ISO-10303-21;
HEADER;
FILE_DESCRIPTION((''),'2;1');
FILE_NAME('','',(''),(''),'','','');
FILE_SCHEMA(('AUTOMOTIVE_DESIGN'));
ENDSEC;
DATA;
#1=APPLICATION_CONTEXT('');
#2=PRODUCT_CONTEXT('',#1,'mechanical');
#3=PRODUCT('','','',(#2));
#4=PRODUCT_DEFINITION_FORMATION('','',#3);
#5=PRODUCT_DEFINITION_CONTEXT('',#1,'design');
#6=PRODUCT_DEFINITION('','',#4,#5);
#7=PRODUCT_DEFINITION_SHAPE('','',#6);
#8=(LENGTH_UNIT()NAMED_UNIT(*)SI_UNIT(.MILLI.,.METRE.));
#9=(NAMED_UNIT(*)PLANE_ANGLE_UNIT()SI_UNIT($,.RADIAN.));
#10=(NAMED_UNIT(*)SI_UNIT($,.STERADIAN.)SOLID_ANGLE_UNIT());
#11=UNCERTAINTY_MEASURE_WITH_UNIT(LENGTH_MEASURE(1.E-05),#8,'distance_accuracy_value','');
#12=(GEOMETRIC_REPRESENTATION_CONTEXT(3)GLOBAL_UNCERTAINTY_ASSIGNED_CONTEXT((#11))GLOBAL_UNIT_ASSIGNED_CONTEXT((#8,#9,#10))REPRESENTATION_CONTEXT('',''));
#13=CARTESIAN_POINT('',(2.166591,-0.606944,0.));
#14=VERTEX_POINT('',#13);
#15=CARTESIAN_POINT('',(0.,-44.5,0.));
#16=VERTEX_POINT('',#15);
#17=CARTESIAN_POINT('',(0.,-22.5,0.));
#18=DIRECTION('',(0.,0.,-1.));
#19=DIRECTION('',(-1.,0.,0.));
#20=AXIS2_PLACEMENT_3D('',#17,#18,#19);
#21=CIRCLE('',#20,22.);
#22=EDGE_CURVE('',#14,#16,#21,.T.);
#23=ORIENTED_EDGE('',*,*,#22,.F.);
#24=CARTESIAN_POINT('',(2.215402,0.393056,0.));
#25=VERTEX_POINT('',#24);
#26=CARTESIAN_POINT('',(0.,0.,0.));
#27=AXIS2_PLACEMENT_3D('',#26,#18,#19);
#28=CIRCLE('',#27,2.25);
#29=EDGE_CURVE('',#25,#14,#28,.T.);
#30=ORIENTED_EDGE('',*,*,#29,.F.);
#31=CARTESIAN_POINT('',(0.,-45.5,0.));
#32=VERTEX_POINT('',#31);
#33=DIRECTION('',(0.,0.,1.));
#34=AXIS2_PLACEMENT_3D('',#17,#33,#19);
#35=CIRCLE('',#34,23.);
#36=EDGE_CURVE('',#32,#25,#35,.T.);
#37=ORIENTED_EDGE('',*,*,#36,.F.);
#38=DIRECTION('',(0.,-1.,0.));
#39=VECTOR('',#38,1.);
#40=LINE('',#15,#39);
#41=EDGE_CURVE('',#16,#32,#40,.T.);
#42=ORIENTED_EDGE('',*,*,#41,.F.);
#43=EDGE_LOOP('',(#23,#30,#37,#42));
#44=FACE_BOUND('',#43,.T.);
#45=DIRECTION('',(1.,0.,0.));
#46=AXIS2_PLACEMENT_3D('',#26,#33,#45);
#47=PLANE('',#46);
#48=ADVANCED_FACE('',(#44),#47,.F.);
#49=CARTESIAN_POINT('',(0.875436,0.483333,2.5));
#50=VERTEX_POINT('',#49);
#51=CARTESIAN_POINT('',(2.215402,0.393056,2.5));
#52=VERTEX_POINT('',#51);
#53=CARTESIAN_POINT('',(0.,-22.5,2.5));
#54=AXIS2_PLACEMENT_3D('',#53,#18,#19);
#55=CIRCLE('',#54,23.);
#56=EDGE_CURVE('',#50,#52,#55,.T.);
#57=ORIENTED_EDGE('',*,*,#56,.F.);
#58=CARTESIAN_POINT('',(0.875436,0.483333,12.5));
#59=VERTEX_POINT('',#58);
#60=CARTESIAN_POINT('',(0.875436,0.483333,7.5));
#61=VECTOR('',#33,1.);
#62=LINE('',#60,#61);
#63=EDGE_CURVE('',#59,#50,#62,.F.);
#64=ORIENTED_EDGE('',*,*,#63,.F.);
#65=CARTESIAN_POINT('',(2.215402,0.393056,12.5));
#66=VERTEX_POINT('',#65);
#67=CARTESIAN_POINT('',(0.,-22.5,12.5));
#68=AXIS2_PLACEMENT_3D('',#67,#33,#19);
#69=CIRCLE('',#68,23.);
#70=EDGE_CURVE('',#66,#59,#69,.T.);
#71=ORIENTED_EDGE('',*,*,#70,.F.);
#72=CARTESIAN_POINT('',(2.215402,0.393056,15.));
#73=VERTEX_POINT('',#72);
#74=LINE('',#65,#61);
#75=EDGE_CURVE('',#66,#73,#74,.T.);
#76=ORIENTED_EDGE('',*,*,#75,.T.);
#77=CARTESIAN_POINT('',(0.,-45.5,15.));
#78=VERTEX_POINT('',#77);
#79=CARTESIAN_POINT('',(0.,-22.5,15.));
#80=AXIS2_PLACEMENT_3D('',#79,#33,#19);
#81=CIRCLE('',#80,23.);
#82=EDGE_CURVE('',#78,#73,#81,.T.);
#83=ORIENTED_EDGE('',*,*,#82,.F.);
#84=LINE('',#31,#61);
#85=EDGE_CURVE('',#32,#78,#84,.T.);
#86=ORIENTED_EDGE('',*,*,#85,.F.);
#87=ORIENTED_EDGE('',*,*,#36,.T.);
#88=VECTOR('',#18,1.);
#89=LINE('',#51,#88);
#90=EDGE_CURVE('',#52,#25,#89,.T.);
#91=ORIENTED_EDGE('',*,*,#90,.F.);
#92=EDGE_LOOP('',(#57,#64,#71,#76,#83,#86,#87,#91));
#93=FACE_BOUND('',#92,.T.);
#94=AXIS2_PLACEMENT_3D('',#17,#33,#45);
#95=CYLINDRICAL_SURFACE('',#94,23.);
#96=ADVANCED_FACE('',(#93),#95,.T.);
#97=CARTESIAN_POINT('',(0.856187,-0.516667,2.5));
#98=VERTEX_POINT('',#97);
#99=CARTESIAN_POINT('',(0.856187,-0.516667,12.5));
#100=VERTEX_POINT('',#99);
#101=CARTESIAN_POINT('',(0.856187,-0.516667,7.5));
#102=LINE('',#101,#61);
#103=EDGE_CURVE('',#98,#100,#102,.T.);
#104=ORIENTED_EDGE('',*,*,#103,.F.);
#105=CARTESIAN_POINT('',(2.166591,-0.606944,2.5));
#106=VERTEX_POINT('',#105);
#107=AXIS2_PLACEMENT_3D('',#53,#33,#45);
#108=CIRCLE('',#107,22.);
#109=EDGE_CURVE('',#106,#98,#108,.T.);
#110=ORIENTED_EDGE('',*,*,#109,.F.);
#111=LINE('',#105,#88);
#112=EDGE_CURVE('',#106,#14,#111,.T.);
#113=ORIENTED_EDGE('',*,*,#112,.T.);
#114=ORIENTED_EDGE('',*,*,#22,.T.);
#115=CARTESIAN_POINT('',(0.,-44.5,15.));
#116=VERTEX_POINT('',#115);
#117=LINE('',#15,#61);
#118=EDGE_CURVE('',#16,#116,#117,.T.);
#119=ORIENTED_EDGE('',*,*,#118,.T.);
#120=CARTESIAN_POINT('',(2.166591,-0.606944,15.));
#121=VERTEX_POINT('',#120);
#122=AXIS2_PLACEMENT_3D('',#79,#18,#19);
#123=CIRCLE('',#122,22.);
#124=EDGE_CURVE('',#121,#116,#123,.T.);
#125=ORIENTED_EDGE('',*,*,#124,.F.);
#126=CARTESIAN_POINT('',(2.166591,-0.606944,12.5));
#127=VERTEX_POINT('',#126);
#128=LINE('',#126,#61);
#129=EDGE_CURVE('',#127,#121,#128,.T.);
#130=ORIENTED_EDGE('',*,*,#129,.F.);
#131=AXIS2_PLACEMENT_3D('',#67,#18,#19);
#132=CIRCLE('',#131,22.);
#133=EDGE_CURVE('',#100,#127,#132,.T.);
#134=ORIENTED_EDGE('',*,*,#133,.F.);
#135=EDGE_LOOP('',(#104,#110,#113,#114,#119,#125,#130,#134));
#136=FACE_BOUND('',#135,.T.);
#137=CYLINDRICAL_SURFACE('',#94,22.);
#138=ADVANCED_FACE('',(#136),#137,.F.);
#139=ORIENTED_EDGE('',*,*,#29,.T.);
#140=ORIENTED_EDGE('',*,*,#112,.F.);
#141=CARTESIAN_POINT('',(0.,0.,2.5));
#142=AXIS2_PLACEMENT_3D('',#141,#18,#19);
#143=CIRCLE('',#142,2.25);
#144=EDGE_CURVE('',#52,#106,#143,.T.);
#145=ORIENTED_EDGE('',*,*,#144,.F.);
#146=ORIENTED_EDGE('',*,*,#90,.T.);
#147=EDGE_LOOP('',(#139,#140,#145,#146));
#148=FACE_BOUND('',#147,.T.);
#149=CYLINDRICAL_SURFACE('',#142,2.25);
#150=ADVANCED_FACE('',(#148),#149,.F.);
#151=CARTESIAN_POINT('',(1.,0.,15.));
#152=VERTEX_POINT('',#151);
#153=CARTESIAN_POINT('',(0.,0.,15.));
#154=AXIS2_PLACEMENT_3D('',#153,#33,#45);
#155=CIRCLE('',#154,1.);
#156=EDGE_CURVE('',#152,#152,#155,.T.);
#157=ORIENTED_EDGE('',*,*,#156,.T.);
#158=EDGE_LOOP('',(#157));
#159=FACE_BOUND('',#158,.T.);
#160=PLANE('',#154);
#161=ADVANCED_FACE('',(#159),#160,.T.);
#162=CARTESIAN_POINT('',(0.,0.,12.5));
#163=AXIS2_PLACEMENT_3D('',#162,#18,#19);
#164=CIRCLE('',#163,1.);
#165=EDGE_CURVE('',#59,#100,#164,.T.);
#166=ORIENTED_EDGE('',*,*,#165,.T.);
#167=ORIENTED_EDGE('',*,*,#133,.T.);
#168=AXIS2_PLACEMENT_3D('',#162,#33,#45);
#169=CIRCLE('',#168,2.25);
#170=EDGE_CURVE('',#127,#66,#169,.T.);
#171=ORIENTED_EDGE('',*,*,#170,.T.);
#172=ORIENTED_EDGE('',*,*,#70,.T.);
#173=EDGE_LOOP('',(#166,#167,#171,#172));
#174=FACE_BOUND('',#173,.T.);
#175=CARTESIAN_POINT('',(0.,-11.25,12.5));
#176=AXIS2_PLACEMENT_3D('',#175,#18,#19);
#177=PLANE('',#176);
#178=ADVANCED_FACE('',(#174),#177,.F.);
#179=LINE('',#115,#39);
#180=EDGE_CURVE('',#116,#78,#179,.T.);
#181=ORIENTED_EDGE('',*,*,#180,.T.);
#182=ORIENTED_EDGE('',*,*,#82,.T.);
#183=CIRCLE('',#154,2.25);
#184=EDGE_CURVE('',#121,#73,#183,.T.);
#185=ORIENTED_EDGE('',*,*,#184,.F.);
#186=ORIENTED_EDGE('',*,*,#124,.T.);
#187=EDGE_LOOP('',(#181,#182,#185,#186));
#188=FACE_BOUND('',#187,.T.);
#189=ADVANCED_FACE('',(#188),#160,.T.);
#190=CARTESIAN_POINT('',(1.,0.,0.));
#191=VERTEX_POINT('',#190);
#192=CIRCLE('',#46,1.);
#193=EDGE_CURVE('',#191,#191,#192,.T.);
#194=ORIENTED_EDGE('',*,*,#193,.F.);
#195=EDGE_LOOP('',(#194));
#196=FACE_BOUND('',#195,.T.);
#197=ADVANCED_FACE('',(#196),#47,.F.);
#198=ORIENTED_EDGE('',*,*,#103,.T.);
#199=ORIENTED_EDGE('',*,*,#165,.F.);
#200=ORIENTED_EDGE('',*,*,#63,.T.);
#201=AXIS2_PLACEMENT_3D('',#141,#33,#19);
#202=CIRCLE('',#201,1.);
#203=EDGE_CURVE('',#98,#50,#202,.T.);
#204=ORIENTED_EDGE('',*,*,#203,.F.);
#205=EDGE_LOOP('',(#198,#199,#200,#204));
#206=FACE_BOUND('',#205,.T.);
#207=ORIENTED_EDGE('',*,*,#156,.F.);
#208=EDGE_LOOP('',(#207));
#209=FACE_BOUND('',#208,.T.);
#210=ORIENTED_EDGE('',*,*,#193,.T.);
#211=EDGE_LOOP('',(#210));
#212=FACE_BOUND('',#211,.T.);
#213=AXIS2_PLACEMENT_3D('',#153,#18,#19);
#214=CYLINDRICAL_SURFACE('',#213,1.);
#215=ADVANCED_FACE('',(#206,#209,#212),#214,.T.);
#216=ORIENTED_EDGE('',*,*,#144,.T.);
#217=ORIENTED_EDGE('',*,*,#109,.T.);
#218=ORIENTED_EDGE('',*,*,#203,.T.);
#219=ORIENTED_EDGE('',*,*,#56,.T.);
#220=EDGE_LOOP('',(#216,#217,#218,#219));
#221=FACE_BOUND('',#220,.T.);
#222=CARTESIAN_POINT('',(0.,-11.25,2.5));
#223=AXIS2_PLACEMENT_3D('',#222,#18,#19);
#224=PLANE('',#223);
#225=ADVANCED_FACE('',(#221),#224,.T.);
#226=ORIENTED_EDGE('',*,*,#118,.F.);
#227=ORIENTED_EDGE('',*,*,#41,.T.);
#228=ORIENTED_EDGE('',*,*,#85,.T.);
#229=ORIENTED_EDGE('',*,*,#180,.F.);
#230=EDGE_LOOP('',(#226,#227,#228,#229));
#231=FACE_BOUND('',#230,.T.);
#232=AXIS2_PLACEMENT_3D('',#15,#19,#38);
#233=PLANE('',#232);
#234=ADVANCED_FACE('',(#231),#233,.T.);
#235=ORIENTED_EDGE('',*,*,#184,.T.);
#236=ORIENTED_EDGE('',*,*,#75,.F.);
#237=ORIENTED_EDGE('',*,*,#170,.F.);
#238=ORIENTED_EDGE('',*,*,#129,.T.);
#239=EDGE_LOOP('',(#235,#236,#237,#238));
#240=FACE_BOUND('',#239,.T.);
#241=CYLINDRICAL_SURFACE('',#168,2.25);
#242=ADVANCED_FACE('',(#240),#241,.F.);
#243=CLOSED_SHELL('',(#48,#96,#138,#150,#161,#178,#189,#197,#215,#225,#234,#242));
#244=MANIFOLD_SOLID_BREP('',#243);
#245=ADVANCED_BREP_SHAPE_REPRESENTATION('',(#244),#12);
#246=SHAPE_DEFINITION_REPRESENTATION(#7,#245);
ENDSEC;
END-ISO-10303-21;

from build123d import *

# Parameters (mm, degrees)
SKETCH_1_R          = 1
EXTRUDE_1_DEPTH     = 15
EXTRUDE_2_DEPTH     = 15
CUT_EXTRUDE_1_DEPTH = 2.5
CUT_EXTRUDE_2_DEPTH = 2.5


with BuildPart() as part:
    # ｽｹｯﾁ1 → ﾎﾞｽ - 押し出し1 (new body)
    with BuildSketch(Plane.XY):
        Circle(SKETCH_1_R)
    extrude(amount=EXTRUDE_1_DEPTH)

    # ｽｹｯﾁ2 → ﾎﾞｽ - 押し出し2 (add)
    with BuildSketch(Plane.XY.offset(15)):
        with BuildLine():
            Line((0, -44.5), (0, -45.5))
            ThreePointArc((0, -45.5), (23, -22.5), (0, 0.5))
            Line((0, 0.5), (0, -0.5))
            ThreePointArc((0, -0.5), (22, -22.5), (0, -44.5))
        make_face()
    extrude(amount=-EXTRUDE_2_DEPTH)

    # ｽｹｯﾁ3 → ｶｯﾄ - 押し出し1 (cut)
    with BuildSketch(Plane.XY.offset(15)):
        with BuildLine():
            ThreePointArc((0.875436399, 0.483333333), (0.999814775, -0.019246198), (0.856186636, -0.516666667))
            ThreePointArc((0.856186636, -0.516666667), (1.51206294, -0.552023654), (2.166591434, -0.606944444))
            ThreePointArc((2.166591434, -0.606944444), (2.247324467, -0.109693843), (2.215402295, 0.393055556))
            ThreePointArc((2.215402295, 0.393055556), (1.546078419, 0.44797685), (0.875436399, 0.483333333))
        make_face()
    extrude(amount=-CUT_EXTRUDE_1_DEPTH, mode=Mode.SUBTRACT)

    # ｽｹｯﾁ4 → ｶｯﾄ - 押し出し2 (cut)
    with BuildSketch(Plane(origin=(0, 0, 0), x_dir=(-1, 0, 0), z_dir=(0, 0, -1))):
        with BuildLine():
            ThreePointArc((-0.875436399, 0.483333333), (-0.999814775, -0.019246198), (-0.856186636, -0.516666667))
            ThreePointArc((-0.856186636, -0.516666667), (-1.51206294, -0.552023654), (-2.166591434, -0.606944444))
            ThreePointArc((-2.166591434, -0.606944444), (-2.247324467, -0.109693843), (-2.215402295, 0.393055556))
            ThreePointArc((-2.215402295, 0.393055556), (-1.546078419, 0.44797685), (-0.875436399, 0.483333333))
        make_face()
    extrude(amount=-CUT_EXTRUDE_2_DEPTH, mode=Mode.SUBTRACT)


solid = part.part
